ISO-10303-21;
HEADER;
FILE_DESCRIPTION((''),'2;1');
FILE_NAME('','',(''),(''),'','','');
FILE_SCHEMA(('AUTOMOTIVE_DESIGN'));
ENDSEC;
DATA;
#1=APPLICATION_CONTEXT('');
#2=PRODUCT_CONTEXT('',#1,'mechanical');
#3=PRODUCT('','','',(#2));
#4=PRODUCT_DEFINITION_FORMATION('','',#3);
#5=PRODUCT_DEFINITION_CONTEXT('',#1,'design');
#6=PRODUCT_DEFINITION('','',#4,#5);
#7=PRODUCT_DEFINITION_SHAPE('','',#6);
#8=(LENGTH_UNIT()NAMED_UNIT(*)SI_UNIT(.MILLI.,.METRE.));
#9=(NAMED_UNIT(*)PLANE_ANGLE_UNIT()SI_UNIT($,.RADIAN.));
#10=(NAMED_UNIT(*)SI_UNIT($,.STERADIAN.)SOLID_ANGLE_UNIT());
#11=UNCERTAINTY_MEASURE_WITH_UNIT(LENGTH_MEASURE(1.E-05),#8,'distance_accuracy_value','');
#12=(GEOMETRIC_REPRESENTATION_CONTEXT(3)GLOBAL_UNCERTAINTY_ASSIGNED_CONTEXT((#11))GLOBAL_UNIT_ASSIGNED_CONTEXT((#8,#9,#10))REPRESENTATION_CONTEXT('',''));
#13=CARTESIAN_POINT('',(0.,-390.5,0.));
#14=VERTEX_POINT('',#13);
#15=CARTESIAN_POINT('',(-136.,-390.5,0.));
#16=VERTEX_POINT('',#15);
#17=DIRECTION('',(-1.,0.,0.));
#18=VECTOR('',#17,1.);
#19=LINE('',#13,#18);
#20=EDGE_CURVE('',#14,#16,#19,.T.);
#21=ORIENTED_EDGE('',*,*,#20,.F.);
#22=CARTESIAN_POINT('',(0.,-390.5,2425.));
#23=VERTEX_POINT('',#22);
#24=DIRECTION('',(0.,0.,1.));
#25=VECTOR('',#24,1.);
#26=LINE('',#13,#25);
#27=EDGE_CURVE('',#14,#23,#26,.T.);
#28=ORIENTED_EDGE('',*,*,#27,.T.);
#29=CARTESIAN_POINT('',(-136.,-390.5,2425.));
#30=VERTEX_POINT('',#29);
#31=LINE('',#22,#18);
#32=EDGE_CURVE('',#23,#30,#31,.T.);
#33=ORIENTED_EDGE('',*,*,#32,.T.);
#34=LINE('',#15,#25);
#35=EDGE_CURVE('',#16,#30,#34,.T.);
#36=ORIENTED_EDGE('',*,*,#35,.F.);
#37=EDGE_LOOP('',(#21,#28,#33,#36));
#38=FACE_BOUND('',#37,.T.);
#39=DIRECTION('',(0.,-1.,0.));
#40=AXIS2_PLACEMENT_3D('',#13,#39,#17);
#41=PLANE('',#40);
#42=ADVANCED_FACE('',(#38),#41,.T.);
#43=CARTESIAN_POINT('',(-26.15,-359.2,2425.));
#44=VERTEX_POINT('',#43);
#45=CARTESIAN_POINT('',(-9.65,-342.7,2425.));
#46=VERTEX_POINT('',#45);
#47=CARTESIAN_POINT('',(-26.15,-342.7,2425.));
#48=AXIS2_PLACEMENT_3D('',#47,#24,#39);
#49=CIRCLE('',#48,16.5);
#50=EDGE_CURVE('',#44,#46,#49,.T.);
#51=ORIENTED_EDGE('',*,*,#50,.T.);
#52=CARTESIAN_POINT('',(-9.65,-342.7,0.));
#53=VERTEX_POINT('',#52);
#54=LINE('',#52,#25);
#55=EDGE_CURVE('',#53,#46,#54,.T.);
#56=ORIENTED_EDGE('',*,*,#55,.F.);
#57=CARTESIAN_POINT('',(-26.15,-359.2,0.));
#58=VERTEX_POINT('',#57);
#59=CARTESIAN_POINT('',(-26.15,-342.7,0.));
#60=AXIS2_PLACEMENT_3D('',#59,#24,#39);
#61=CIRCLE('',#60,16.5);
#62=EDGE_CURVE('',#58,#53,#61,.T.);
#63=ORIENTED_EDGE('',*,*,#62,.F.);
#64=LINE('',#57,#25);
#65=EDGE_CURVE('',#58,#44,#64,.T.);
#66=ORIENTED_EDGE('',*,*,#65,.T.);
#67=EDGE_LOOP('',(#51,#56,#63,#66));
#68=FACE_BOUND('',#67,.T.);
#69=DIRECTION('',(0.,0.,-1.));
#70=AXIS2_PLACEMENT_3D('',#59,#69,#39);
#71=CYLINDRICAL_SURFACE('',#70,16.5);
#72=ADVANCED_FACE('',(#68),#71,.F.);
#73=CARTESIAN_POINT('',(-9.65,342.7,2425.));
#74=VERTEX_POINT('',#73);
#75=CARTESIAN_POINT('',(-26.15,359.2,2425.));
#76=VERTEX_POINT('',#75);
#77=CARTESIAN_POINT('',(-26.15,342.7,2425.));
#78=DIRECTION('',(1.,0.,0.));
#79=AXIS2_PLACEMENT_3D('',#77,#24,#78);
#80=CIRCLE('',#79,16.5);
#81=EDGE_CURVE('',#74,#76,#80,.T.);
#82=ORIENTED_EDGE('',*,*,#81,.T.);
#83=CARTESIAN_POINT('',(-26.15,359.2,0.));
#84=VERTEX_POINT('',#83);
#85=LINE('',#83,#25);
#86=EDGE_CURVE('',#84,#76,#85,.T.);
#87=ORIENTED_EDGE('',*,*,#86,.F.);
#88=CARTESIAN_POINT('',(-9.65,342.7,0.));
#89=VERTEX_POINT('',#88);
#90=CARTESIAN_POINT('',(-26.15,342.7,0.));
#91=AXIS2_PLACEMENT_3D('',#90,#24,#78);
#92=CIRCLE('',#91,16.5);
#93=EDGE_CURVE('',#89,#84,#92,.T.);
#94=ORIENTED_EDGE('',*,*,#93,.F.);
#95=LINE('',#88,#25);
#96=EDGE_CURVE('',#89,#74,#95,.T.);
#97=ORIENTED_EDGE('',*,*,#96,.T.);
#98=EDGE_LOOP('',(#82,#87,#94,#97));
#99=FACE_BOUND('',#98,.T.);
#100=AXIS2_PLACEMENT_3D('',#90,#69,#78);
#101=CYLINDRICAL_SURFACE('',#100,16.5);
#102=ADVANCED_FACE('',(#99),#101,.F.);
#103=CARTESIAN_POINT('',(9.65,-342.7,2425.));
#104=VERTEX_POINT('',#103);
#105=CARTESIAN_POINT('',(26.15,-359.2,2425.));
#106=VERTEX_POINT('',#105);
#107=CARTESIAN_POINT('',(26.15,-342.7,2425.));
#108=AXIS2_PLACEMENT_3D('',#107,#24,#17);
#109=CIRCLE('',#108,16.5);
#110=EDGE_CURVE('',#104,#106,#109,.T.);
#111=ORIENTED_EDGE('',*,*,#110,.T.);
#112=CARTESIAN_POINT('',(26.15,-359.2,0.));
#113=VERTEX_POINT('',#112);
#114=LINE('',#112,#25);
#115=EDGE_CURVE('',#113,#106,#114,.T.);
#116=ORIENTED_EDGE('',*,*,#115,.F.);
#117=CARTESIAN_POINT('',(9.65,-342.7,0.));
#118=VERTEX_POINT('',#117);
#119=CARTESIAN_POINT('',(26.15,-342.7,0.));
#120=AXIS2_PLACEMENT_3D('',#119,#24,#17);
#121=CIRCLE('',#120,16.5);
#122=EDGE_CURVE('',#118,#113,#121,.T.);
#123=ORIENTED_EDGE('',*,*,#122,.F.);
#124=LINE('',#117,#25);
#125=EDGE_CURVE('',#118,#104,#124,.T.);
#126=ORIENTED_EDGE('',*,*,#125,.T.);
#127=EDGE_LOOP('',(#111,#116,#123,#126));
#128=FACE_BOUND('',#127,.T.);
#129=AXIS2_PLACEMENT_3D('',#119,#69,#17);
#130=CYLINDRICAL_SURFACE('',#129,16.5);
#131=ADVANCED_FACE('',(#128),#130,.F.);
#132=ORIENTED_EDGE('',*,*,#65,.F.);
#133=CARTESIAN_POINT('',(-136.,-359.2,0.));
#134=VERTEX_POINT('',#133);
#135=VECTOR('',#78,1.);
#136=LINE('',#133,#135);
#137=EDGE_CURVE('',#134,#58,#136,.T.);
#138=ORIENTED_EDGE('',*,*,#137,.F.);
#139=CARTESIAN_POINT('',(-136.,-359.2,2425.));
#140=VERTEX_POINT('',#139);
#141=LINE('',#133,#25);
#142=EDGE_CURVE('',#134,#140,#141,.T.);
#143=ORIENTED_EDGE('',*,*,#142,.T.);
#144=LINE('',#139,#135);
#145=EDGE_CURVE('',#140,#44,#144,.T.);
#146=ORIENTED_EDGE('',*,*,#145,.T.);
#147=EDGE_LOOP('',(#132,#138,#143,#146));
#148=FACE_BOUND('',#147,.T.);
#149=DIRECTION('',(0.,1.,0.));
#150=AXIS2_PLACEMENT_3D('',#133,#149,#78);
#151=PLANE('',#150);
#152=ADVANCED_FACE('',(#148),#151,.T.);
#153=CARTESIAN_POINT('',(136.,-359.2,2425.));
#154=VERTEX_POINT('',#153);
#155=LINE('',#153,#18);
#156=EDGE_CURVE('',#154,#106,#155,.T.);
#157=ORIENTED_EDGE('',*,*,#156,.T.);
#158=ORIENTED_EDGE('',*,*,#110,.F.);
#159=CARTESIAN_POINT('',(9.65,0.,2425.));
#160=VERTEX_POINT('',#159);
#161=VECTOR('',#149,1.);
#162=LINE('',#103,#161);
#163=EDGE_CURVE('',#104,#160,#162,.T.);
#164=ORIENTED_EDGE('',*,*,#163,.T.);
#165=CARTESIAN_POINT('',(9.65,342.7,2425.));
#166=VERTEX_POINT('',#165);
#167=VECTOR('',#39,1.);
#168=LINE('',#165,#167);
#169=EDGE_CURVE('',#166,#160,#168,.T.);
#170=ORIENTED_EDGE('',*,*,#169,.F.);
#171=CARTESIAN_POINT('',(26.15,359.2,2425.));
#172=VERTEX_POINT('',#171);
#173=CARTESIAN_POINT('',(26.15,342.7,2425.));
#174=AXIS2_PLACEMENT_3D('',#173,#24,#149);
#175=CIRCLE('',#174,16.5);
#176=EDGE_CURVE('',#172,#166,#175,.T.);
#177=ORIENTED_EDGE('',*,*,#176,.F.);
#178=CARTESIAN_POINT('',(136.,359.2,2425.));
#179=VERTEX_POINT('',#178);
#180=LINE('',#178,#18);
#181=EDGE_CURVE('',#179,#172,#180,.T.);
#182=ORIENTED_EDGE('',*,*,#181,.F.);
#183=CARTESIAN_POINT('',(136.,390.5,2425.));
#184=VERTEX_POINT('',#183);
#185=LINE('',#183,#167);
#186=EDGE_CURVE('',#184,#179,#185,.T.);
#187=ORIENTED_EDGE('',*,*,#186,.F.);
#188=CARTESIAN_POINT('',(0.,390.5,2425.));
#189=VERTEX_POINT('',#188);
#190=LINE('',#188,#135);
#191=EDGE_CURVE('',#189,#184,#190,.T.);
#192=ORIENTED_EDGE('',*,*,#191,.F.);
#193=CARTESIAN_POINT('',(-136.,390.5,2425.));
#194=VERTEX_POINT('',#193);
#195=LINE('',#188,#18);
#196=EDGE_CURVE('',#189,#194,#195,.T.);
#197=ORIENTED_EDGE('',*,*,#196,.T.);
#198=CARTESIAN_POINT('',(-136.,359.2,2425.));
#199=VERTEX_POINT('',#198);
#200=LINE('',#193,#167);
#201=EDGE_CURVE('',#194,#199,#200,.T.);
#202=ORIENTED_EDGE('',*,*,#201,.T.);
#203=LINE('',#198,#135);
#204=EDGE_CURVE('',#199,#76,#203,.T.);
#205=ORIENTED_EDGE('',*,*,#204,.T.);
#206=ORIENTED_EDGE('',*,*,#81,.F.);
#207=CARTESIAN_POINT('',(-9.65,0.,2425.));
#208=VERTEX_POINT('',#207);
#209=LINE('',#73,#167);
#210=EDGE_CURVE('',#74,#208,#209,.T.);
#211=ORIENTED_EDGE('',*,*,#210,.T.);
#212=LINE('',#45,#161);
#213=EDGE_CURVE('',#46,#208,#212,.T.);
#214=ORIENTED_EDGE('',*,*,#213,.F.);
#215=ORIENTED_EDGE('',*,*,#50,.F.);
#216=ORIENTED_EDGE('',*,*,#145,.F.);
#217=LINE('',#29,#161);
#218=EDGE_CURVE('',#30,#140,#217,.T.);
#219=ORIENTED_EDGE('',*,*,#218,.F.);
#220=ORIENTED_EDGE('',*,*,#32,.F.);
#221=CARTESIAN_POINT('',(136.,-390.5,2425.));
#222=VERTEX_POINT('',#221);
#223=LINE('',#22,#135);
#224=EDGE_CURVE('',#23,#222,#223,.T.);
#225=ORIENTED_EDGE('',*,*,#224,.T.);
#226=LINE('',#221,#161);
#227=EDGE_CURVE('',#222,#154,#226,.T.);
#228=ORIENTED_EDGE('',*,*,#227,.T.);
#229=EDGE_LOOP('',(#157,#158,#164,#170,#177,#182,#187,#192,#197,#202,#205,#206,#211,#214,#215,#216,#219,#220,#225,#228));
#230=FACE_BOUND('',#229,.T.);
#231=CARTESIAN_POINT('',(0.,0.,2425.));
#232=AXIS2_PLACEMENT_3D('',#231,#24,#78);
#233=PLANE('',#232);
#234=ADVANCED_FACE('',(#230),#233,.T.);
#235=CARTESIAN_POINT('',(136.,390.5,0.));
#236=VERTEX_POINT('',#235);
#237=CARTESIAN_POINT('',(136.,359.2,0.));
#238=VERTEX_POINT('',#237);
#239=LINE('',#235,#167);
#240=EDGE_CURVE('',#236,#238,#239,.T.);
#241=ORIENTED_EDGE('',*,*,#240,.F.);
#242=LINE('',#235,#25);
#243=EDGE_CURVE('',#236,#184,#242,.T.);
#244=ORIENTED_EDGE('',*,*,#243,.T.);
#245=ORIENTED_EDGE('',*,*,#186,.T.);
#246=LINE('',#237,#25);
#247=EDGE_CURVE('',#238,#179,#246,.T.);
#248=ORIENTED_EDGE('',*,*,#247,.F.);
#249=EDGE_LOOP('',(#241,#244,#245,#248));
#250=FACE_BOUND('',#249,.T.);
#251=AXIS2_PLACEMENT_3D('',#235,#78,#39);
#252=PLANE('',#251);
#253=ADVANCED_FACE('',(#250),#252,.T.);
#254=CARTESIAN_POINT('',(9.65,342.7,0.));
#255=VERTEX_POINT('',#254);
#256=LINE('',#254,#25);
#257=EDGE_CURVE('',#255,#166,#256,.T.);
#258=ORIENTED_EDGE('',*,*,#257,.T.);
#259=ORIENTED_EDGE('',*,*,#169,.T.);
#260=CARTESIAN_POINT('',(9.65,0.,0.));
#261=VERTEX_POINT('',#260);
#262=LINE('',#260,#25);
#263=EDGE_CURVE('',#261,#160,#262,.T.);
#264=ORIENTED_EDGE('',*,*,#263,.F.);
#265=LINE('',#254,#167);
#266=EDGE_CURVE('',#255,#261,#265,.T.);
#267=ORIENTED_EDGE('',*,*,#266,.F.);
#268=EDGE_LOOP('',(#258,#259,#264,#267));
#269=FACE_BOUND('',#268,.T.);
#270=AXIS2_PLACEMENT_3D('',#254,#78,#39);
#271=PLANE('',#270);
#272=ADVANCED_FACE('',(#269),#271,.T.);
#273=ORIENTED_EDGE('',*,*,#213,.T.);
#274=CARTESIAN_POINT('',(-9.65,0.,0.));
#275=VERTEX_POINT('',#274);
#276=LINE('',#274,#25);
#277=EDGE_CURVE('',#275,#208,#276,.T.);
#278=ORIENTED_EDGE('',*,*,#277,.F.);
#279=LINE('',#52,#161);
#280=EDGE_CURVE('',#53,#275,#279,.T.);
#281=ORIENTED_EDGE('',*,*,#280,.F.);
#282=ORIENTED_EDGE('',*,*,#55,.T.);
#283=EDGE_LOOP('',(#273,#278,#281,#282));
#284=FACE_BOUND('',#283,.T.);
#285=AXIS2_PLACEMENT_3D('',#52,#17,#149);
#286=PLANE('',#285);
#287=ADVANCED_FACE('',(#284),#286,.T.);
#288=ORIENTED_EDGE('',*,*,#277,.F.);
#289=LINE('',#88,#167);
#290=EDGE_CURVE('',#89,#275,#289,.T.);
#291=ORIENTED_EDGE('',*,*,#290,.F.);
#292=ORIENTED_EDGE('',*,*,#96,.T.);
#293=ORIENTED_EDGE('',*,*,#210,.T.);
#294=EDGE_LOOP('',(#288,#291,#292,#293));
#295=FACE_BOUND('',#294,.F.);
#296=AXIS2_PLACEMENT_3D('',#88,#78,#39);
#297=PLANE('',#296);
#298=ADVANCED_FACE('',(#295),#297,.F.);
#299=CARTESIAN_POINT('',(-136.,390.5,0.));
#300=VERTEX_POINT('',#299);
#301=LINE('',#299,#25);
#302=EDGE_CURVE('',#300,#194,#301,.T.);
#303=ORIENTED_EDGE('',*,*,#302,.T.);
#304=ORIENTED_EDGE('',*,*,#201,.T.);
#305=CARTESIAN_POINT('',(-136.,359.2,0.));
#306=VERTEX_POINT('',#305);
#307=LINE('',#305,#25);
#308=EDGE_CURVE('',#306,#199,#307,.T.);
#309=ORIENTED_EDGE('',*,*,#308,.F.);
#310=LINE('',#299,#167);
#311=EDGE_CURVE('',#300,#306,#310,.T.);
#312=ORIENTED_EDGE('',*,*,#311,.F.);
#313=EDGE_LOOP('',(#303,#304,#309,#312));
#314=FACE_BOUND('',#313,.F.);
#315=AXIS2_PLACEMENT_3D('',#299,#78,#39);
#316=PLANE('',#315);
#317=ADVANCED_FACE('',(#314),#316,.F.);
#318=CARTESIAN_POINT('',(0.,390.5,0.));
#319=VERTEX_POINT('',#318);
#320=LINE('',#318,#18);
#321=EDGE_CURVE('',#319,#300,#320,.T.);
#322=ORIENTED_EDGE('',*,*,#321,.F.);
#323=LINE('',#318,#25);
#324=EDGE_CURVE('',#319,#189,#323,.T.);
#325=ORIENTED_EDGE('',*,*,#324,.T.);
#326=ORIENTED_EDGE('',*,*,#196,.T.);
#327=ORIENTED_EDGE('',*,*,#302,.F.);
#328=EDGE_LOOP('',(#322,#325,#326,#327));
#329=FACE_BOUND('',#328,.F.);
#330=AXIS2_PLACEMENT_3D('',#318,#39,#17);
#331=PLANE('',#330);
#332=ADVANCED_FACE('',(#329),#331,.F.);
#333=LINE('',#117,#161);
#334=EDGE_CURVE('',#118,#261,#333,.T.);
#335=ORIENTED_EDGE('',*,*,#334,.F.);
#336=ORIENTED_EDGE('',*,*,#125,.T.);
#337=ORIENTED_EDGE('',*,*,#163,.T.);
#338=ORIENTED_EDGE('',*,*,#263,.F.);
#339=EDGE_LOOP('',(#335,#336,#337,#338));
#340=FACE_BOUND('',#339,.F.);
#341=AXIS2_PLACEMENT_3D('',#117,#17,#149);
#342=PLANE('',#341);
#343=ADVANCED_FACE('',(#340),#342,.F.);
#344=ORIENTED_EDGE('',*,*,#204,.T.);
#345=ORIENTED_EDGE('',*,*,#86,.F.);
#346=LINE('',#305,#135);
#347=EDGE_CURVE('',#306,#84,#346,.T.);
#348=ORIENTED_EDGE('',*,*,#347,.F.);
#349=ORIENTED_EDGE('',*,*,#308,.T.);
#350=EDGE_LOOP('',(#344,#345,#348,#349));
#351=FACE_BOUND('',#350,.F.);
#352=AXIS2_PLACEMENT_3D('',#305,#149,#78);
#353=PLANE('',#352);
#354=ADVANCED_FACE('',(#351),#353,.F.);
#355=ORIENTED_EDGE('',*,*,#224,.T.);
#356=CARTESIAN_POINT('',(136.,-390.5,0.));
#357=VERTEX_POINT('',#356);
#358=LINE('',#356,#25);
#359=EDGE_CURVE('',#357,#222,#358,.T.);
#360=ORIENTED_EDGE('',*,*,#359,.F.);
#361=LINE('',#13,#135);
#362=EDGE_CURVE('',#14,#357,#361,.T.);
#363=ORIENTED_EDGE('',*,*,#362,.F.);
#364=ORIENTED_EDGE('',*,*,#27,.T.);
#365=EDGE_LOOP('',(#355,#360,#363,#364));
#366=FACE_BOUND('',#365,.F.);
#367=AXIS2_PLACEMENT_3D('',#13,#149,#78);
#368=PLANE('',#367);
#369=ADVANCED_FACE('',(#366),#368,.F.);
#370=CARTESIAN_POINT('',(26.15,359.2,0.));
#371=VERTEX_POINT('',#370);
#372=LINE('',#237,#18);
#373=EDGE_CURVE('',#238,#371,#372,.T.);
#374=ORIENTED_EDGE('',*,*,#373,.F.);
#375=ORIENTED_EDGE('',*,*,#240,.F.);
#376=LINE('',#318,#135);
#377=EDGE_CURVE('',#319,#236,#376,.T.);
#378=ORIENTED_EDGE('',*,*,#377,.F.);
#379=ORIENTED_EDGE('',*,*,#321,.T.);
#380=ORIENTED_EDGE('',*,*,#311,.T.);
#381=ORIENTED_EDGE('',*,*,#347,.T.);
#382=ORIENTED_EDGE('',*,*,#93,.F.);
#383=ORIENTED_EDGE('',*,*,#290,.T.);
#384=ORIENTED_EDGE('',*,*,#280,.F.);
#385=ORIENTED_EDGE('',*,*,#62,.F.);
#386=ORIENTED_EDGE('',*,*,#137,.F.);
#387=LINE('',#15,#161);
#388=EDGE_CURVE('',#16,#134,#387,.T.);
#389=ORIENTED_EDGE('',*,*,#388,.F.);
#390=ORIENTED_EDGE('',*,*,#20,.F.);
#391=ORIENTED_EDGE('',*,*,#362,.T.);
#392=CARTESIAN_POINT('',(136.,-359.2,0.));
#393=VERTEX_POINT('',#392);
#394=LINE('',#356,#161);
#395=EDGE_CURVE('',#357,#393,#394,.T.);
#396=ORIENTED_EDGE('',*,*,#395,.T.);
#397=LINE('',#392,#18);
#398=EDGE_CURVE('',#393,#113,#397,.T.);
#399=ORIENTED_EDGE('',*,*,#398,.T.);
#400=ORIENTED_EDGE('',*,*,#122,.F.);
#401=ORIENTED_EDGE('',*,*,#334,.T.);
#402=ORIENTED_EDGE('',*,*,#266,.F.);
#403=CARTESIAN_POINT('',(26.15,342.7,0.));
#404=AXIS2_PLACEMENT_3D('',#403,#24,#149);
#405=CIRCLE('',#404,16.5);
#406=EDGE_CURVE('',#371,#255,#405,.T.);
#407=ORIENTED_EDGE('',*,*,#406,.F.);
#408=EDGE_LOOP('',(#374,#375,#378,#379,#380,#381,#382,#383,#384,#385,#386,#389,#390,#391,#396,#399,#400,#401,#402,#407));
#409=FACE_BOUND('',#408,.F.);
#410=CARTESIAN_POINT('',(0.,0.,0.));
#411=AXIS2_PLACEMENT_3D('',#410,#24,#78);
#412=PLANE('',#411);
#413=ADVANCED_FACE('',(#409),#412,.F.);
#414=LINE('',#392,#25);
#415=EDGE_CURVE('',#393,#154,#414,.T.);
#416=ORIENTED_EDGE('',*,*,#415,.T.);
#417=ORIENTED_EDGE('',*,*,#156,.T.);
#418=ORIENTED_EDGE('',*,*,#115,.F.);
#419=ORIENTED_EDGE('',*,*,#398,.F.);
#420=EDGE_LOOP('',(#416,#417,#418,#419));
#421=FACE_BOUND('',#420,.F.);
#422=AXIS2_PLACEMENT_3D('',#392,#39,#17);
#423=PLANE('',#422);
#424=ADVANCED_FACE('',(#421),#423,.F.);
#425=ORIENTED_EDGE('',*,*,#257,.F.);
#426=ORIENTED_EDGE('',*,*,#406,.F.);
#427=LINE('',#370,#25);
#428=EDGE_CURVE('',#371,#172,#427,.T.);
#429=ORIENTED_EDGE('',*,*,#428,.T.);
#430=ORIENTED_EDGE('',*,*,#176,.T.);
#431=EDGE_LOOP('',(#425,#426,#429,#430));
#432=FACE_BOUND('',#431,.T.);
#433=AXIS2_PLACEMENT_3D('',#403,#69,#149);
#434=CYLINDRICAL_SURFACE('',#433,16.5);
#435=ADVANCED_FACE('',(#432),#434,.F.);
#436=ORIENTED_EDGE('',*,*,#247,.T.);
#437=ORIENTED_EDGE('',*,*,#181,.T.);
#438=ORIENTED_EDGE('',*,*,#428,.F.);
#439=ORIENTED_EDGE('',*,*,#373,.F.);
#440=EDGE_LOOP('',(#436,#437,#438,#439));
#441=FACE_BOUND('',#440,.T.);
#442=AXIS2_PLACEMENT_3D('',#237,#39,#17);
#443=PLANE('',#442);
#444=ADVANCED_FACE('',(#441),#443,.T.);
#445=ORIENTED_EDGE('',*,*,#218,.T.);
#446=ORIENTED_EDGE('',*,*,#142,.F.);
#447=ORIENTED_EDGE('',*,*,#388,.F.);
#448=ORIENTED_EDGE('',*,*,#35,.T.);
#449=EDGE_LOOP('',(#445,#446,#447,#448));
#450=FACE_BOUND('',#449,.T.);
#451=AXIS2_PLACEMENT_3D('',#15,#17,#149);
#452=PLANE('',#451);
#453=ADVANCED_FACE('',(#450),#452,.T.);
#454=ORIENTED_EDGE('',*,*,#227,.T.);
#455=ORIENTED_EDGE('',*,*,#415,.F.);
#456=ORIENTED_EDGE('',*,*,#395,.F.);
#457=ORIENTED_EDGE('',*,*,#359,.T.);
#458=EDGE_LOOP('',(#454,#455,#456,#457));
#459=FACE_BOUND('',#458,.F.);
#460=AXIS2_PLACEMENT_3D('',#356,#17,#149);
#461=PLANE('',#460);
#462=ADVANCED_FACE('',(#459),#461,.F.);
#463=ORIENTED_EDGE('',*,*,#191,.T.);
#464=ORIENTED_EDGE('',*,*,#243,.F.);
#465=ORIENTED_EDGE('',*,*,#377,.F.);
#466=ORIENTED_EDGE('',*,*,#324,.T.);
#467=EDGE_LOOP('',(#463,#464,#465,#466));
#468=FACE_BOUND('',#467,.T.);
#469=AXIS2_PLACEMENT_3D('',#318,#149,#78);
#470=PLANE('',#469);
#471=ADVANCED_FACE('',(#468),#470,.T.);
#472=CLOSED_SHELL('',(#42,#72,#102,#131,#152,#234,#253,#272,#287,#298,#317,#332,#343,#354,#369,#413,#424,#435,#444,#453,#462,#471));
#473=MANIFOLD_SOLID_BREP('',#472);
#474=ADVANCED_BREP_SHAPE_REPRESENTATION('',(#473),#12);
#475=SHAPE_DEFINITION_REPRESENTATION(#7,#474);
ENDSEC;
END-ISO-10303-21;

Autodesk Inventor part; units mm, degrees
ref_plane "YZ Plane" through (0, 0, 0) normal (1, 0, 0) x (0, 1, 0)
ref_plane "Start plane" through (0, 0, 0) normal (0, 0, 1) x (1, 0, 0)
ref_plane "End plane" through (0, 0, 2425) normal (0, 0, 1) x (1, 0, 0)
sketch "Sketch" plane through (0, 0, 0) normal (0, 0, 1) x (1, 0, 0)
  line L0 (-136, -390.5) -> (-136, -359.2)
  line L1 (-136, -359.2) -> (-26.15, -359.2)
  line L2 (-9.65, -342.7) -> (-9.65, 0)
  line L3 (-9.65, 0) -> (0, 0) construction
  line L4 (0, 0) -> (0, -390.5) construction
  line L5 (0, -390.5) -> (-136, -390.5)
  line L6 (-60, 0) -> (80, 0) construction
  line L7 (0, -60) -> (0, 80) construction
  line L8 (136, -390.5) -> (136, -359.2)
  line L9 (136, -359.2) -> (26.15, -359.2)
  line L10 (9.65, -342.7) -> (9.65, 0)
  line L11 (9.65, 0) -> (0, 0) construction
  line L12 (0, -390.5) -> (136, -390.5)
  line L13 (-136, 390.5) -> (-136, 359.2)
  line L14 (-136, 359.2) -> (-26.15, 359.2)
  line L15 (-9.65, 342.7) -> (-9.65, 0)
  line L16 (0, 390.5) -> (-136, 390.5)
  line L17 (136, 390.5) -> (136, 359.2)
  line L18 (136, 359.2) -> (26.15, 359.2)
  line L19 (0, 390.5) -> (136, 390.5)
  line L20 (9.65, 342.7) -> (9.65, 0)
  arc A0 (-9.65, 342.7) -> (-26.15, 359.2) centre (-26.15, 342.7) ccw
  arc A1 (26.15, 359.2) -> (9.65, 342.7) centre (26.15, 342.7) ccw
  arc A2 (9.65, -342.7) -> (26.15, -359.2) centre (26.15, -342.7) ccw
  arc A3 (-26.15, -359.2) -> (-9.65, -342.7) centre (-26.15, -342.7) ccw
  line L21 (0, 108) -> (0, -88) construction
  line L22 (-88, 0) -> (108, 0) construction
  point P0 (-9.65, -359.2)
  point P1 (9.65, -359.2)
  point P2 (-9.65, 359.2)
  point P3 (9.65, 359.2)
  dimension "d1" = 390.5
  dimension "d2" = 31.3
  dimension "d3" = 136
  dimension "d4" = 9.65
  dimension "d10" = 16.5
extrude "Body" add sketch "Sketch" along normal up to surface (2425 mm away) from surface at 0
sketch "Sketch4" plane through (0, 0, 0) normal (0, 0, 1) x (1, 0, 0)
  line L0 (0, 0) -> (10, 0)
ref_plane "Work Plane3" through (0, 0, 0) normal (0, -1, 0) x (1, 0, 0)
sketch "Sketch5" plane through (0, 0, 0) normal (0, -1, 0) x (1, 0, 0)
  line L0 (-2, 0) -> (12, 0) projected
  line L1 (-2, 2425) -> (12, 2425) projected
  dimension "d14" = 2425
equation "\"d1\" = 0.5 * G_H"
equation "\"d2\" = G_T1"
equation "\"d3\" = 0.5 * G_W"
equation "\"d4\" = 0.5 * G_T"
equation "\"d10\" = G_IR"
equation "\"d5\" = G_L"
equation "\"G_W\" = 272"
equation "\"G_H\" = 781"
equation "\"G_T\" = 19.3"
equation "\"G_T1\" = 31.3"
equation "\"G_IR\" = 16.5"
equation "\"G_L\" = d14"
equation "\"G_OFFSET_START\" = 0"
equation "\"G_OFFSET_END\" = 0"
equation "\"d12\" = G_OFFSET_END + B_L"
equation "\"B_L\" = 2425"
properties part number "AS 3679-1990 - 760 UB - 244 - 2425" material "Steel, Mild"
